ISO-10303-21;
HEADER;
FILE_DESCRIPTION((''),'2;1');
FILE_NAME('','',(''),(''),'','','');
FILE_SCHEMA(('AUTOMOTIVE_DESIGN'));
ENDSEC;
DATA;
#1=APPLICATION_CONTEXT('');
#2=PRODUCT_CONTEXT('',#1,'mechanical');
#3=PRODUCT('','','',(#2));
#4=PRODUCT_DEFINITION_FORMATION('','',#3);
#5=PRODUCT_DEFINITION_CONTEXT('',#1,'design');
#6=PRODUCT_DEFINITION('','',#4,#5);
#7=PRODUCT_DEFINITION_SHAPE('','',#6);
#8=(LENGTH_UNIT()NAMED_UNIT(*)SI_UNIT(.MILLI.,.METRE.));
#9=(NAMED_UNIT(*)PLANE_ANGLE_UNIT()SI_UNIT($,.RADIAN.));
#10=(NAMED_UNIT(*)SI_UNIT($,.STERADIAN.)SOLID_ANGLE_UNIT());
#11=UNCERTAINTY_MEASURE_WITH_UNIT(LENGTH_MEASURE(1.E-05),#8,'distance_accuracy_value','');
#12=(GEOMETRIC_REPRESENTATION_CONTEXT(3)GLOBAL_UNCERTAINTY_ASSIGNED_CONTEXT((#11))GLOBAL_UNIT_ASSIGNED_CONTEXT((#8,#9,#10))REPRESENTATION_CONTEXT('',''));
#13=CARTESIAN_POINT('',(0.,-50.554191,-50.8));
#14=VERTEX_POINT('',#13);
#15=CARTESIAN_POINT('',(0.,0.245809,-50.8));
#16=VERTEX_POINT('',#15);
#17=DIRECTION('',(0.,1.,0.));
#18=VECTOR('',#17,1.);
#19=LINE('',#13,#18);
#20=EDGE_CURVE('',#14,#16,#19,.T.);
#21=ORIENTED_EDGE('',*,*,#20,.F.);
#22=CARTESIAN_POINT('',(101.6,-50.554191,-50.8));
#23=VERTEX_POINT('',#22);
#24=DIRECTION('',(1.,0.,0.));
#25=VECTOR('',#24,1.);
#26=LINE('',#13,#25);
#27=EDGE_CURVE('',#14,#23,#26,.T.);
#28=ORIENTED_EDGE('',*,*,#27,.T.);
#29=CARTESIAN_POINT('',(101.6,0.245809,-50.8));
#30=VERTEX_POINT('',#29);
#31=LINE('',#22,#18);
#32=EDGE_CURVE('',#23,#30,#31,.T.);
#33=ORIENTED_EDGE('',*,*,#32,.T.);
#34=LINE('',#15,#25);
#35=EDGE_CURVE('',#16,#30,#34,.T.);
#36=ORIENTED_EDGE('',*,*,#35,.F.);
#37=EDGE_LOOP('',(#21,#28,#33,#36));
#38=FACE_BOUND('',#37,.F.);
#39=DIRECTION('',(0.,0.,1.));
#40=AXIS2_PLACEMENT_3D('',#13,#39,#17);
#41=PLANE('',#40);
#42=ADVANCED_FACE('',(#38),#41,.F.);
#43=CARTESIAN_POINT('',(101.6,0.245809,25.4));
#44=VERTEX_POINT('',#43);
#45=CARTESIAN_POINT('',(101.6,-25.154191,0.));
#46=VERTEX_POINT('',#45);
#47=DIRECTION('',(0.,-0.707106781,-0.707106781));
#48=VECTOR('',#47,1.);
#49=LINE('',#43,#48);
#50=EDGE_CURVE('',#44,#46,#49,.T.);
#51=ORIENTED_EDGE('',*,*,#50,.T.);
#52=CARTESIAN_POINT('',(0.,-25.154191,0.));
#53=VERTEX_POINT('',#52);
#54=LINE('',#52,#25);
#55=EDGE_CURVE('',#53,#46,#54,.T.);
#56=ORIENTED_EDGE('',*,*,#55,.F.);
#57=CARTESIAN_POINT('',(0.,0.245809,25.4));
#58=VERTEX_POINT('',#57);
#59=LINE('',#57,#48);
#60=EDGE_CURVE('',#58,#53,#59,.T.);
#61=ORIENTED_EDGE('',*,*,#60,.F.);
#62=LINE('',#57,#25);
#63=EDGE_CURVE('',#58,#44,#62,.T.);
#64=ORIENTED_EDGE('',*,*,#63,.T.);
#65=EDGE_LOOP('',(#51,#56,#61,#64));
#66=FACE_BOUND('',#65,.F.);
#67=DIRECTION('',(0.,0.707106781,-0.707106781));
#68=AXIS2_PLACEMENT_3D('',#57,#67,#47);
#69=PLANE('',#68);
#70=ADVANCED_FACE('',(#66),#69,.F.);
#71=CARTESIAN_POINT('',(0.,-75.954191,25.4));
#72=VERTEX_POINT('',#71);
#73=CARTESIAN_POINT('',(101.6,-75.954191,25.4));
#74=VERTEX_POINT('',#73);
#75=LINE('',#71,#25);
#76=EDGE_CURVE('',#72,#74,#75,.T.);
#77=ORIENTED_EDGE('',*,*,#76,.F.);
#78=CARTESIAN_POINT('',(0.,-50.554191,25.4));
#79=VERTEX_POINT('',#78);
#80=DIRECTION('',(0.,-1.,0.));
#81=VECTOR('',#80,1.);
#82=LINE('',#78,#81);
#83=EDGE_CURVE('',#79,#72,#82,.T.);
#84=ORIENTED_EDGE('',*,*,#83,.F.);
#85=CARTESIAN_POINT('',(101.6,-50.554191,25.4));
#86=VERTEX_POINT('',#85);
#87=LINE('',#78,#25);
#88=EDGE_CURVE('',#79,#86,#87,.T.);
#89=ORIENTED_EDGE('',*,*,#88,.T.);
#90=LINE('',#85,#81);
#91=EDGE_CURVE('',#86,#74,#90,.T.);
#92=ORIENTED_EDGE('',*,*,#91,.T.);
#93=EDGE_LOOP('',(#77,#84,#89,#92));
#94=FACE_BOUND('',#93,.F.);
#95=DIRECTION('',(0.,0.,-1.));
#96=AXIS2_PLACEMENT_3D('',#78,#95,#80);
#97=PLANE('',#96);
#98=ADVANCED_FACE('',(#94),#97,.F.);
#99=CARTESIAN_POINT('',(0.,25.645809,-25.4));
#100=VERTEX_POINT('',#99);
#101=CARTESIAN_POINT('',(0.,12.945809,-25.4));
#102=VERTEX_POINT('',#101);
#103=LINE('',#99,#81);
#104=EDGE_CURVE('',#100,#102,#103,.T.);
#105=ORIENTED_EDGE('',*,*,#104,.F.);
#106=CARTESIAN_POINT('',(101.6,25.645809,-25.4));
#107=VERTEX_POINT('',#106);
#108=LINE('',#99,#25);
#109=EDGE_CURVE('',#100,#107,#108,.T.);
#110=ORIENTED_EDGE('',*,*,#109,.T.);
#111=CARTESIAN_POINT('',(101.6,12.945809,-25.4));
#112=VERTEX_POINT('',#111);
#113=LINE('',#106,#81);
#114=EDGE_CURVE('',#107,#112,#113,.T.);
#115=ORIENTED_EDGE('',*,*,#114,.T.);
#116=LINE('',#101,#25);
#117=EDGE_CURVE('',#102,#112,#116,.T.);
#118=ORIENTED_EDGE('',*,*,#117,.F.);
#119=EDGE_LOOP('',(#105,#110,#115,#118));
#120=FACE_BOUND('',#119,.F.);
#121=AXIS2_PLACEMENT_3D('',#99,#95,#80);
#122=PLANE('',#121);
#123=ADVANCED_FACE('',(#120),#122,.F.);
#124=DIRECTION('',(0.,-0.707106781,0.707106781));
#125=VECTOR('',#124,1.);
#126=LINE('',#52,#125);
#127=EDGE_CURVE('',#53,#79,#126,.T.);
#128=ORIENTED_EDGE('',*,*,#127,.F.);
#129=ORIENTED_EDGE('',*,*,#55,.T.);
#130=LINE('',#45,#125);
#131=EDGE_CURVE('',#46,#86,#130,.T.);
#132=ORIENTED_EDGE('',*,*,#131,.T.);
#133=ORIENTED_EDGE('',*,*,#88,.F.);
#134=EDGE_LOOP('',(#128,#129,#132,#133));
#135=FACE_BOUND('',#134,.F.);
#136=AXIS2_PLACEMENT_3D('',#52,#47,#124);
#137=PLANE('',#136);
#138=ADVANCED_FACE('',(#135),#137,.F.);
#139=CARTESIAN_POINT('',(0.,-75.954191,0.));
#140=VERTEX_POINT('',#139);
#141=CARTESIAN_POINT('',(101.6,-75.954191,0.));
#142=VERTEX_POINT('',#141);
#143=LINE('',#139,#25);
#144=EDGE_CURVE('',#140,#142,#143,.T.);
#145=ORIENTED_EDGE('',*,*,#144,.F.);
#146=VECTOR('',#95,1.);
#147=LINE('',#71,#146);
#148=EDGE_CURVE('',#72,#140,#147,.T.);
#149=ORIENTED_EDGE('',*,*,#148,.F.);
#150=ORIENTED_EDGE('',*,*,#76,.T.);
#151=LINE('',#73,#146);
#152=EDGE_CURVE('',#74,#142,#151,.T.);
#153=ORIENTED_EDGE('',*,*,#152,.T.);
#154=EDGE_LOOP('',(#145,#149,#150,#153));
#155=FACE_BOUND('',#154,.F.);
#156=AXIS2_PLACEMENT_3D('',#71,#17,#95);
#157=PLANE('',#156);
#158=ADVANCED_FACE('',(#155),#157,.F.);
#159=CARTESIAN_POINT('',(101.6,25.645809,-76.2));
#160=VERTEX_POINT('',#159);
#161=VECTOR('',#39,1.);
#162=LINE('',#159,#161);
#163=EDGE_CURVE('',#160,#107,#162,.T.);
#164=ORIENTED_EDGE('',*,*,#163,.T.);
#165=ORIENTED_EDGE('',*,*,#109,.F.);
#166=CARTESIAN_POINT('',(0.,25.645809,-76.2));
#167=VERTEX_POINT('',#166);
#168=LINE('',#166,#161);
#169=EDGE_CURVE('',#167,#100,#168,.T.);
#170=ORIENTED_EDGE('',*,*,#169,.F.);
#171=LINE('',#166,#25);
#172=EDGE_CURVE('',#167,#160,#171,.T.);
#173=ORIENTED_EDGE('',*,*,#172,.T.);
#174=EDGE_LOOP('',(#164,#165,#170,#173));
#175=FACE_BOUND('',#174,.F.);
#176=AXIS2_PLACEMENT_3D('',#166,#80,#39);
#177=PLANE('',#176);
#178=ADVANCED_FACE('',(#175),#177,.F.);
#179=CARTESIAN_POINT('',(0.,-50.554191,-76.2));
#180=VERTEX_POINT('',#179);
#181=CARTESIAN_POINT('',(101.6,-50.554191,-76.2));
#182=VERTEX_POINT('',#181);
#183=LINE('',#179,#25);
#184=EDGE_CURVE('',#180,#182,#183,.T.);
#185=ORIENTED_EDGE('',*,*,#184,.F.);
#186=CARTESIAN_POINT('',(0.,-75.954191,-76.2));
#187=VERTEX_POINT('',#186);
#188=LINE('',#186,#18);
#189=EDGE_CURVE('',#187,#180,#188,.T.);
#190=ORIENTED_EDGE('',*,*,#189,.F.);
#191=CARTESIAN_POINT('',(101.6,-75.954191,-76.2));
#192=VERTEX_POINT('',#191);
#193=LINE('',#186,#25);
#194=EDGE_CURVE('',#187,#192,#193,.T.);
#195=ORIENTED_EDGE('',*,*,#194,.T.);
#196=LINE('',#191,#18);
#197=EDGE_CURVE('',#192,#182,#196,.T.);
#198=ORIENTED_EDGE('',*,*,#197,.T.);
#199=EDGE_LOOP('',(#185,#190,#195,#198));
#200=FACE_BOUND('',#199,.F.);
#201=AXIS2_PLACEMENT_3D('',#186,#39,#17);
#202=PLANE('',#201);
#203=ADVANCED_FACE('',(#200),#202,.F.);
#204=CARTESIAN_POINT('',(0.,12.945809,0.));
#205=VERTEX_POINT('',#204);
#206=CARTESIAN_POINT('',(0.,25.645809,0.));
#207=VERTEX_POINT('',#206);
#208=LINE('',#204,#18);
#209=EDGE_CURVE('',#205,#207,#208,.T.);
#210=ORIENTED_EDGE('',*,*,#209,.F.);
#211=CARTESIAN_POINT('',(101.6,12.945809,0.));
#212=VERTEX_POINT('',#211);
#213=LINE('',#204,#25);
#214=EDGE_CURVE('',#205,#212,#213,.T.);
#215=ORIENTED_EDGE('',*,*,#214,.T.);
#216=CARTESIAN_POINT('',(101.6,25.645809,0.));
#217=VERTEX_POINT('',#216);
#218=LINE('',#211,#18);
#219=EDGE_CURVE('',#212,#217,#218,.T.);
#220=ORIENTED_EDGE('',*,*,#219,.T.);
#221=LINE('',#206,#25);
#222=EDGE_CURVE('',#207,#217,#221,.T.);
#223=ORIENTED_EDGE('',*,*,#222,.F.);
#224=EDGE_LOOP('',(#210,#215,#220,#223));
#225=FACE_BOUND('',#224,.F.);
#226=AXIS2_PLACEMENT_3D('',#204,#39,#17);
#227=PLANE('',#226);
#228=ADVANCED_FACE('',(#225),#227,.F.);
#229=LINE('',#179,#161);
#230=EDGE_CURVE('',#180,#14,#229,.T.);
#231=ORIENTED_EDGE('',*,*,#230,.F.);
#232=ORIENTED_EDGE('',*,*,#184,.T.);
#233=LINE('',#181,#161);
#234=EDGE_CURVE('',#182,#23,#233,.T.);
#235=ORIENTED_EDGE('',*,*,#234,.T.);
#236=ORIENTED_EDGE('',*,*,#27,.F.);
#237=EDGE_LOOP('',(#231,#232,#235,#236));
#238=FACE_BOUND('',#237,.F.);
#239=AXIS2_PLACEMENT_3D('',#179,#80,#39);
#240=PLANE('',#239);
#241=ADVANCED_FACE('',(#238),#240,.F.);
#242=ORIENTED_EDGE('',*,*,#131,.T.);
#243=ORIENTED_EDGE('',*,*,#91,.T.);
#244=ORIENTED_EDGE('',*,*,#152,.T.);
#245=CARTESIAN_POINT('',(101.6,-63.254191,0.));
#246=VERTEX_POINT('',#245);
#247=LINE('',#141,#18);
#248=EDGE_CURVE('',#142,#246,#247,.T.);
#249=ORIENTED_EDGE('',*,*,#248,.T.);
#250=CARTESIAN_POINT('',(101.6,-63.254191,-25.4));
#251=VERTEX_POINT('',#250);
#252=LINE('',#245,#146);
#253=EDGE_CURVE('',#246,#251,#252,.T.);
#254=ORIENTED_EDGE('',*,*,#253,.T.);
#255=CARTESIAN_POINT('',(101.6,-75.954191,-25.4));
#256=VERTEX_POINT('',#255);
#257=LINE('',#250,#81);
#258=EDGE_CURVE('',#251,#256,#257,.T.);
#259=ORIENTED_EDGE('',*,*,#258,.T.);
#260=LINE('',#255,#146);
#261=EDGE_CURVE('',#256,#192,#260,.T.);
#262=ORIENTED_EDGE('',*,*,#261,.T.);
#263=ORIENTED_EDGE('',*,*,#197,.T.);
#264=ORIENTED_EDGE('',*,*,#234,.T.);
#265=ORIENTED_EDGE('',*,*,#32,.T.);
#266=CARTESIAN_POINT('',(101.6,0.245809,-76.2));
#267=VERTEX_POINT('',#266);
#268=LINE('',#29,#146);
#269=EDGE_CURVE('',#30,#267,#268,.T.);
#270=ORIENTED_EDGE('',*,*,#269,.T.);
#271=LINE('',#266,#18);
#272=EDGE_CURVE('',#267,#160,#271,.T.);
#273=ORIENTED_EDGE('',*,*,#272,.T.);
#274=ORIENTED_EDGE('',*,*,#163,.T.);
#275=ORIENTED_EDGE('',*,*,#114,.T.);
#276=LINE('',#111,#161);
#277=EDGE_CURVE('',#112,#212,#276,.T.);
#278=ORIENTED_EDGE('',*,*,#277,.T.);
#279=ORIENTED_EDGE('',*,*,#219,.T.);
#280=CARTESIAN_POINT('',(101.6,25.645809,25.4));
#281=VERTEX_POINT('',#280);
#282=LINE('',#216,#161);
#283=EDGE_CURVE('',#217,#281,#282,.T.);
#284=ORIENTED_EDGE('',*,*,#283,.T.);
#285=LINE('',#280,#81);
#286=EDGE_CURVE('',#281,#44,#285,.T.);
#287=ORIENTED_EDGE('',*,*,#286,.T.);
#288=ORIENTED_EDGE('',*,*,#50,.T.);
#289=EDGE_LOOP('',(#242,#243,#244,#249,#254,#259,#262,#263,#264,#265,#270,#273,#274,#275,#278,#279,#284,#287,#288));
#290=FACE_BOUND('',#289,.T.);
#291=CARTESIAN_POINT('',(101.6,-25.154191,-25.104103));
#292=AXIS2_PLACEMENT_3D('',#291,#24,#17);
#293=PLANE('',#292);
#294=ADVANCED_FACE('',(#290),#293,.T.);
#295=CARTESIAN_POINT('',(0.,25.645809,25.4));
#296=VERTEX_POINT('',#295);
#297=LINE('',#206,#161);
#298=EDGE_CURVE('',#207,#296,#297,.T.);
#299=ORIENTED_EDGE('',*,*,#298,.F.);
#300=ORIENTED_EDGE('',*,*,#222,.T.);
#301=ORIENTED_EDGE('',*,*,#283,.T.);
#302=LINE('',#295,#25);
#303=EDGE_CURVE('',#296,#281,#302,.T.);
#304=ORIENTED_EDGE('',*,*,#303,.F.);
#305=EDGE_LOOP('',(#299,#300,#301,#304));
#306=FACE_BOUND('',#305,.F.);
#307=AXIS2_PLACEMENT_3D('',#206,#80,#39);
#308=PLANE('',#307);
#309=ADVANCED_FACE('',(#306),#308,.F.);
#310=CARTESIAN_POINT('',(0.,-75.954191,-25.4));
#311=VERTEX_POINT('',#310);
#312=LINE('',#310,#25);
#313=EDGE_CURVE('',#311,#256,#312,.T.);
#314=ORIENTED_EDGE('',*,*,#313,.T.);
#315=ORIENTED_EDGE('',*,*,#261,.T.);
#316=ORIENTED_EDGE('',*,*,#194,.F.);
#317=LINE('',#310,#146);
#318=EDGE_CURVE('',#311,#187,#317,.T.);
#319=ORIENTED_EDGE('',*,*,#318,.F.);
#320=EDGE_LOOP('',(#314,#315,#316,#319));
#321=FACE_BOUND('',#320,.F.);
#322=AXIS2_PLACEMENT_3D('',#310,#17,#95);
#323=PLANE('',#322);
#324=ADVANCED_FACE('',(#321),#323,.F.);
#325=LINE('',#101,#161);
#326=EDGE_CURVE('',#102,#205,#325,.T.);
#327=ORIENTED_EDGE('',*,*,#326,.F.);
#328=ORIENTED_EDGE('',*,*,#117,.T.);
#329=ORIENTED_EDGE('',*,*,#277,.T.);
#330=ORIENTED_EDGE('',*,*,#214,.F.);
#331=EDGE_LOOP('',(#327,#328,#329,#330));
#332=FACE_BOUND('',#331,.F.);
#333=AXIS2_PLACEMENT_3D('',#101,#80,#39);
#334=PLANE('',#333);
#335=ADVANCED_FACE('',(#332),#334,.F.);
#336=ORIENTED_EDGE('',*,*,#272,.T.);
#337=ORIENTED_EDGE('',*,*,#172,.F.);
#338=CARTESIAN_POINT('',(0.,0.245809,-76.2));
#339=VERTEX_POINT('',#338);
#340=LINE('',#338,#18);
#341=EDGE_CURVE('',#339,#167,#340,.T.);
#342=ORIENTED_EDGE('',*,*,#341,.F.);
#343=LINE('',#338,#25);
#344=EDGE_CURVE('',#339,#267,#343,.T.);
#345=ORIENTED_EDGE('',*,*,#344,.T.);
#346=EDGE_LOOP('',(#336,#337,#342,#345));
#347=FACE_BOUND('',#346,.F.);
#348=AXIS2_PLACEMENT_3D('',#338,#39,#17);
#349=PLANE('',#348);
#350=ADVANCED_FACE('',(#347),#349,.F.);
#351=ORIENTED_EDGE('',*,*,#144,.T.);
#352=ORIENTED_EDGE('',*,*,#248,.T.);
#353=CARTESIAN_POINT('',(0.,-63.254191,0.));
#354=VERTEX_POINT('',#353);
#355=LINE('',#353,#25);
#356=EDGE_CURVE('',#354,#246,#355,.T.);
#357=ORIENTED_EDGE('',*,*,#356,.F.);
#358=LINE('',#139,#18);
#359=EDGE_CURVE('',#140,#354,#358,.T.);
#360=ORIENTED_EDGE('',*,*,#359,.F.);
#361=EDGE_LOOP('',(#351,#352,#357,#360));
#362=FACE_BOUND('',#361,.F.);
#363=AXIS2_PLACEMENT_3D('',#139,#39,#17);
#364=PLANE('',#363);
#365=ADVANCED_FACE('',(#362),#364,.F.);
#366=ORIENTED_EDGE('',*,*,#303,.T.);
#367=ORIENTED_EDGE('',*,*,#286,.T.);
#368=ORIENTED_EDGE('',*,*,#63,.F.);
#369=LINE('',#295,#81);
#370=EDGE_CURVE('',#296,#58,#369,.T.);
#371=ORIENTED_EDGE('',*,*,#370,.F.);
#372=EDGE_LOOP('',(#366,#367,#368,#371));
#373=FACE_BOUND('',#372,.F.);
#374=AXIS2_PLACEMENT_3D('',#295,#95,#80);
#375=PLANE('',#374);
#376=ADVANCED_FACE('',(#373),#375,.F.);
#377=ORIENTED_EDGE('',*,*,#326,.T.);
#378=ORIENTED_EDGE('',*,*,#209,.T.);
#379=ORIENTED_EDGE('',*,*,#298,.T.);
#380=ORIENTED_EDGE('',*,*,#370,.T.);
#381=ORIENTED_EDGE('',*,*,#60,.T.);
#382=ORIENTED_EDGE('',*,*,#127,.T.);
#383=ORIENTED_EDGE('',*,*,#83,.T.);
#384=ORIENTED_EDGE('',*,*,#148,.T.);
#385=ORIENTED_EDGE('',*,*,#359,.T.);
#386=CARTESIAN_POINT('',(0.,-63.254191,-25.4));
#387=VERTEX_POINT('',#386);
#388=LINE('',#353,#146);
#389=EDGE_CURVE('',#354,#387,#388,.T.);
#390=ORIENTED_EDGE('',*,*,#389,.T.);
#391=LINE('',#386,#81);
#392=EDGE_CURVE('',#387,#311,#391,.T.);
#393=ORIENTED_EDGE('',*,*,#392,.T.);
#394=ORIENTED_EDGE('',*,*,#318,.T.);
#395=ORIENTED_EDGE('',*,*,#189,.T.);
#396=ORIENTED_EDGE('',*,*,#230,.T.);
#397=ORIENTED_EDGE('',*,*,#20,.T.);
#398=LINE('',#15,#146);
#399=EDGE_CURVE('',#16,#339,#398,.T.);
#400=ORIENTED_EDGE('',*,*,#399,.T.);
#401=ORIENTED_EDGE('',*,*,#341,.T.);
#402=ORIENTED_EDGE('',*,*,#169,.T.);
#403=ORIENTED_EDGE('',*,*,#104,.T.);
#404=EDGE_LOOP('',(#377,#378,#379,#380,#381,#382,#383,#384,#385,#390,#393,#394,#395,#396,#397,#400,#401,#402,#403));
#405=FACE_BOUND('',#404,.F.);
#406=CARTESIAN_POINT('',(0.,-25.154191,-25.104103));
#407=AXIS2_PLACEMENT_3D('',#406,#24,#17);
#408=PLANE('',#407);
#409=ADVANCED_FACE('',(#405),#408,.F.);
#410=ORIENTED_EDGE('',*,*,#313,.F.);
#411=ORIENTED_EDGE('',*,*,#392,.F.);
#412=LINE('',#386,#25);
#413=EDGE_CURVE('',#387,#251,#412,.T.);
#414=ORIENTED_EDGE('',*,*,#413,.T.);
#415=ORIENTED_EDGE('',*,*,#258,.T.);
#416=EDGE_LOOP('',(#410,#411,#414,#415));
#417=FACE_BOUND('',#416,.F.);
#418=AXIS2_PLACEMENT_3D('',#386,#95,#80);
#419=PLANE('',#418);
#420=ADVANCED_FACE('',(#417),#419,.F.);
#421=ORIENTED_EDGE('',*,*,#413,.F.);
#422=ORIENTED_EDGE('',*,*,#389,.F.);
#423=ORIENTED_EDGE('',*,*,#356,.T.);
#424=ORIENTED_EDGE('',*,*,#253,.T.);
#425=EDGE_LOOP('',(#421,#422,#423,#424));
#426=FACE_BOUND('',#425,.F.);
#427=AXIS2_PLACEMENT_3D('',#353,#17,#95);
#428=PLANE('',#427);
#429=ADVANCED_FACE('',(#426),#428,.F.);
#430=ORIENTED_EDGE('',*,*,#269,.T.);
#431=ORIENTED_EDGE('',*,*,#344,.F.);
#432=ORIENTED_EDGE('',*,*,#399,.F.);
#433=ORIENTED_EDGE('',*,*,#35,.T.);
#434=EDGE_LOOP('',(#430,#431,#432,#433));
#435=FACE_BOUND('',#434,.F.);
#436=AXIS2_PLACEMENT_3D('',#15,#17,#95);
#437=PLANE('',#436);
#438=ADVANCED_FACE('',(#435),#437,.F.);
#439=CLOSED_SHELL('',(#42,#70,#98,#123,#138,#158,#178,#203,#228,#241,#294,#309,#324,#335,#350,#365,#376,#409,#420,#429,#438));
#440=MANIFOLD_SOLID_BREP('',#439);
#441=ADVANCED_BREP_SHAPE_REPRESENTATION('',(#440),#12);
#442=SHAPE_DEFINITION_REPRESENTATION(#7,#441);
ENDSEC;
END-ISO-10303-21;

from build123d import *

# Parameters (mm, degrees)
F1_DEPTH = 101.6


with BuildPart() as f1:
    # F0 (on Right) → F1 (new body)
    with BuildSketch(Plane.YZ):
        Polygon((-75.954191, -25.4), (-75.954191, -76.2), (-50.554191, -76.2), (-50.554191, -50.8), (0.245809, -50.8), (0.245809, -76.2), (25.645809, -76.2), (25.645809, -25.4), (12.945809, -25.4), (12.945809, 0), (25.645809, 0), (25.645809, 25.4), (0.245809, 25.4), (-25.154191, 0), (-50.554191, 25.4), (-75.954191, 25.4), (-75.954191, 0), (-63.254191, 0), (-63.254191, -25.4), align=None)
    extrude(amount=F1_DEPTH)


solid = f1.part
